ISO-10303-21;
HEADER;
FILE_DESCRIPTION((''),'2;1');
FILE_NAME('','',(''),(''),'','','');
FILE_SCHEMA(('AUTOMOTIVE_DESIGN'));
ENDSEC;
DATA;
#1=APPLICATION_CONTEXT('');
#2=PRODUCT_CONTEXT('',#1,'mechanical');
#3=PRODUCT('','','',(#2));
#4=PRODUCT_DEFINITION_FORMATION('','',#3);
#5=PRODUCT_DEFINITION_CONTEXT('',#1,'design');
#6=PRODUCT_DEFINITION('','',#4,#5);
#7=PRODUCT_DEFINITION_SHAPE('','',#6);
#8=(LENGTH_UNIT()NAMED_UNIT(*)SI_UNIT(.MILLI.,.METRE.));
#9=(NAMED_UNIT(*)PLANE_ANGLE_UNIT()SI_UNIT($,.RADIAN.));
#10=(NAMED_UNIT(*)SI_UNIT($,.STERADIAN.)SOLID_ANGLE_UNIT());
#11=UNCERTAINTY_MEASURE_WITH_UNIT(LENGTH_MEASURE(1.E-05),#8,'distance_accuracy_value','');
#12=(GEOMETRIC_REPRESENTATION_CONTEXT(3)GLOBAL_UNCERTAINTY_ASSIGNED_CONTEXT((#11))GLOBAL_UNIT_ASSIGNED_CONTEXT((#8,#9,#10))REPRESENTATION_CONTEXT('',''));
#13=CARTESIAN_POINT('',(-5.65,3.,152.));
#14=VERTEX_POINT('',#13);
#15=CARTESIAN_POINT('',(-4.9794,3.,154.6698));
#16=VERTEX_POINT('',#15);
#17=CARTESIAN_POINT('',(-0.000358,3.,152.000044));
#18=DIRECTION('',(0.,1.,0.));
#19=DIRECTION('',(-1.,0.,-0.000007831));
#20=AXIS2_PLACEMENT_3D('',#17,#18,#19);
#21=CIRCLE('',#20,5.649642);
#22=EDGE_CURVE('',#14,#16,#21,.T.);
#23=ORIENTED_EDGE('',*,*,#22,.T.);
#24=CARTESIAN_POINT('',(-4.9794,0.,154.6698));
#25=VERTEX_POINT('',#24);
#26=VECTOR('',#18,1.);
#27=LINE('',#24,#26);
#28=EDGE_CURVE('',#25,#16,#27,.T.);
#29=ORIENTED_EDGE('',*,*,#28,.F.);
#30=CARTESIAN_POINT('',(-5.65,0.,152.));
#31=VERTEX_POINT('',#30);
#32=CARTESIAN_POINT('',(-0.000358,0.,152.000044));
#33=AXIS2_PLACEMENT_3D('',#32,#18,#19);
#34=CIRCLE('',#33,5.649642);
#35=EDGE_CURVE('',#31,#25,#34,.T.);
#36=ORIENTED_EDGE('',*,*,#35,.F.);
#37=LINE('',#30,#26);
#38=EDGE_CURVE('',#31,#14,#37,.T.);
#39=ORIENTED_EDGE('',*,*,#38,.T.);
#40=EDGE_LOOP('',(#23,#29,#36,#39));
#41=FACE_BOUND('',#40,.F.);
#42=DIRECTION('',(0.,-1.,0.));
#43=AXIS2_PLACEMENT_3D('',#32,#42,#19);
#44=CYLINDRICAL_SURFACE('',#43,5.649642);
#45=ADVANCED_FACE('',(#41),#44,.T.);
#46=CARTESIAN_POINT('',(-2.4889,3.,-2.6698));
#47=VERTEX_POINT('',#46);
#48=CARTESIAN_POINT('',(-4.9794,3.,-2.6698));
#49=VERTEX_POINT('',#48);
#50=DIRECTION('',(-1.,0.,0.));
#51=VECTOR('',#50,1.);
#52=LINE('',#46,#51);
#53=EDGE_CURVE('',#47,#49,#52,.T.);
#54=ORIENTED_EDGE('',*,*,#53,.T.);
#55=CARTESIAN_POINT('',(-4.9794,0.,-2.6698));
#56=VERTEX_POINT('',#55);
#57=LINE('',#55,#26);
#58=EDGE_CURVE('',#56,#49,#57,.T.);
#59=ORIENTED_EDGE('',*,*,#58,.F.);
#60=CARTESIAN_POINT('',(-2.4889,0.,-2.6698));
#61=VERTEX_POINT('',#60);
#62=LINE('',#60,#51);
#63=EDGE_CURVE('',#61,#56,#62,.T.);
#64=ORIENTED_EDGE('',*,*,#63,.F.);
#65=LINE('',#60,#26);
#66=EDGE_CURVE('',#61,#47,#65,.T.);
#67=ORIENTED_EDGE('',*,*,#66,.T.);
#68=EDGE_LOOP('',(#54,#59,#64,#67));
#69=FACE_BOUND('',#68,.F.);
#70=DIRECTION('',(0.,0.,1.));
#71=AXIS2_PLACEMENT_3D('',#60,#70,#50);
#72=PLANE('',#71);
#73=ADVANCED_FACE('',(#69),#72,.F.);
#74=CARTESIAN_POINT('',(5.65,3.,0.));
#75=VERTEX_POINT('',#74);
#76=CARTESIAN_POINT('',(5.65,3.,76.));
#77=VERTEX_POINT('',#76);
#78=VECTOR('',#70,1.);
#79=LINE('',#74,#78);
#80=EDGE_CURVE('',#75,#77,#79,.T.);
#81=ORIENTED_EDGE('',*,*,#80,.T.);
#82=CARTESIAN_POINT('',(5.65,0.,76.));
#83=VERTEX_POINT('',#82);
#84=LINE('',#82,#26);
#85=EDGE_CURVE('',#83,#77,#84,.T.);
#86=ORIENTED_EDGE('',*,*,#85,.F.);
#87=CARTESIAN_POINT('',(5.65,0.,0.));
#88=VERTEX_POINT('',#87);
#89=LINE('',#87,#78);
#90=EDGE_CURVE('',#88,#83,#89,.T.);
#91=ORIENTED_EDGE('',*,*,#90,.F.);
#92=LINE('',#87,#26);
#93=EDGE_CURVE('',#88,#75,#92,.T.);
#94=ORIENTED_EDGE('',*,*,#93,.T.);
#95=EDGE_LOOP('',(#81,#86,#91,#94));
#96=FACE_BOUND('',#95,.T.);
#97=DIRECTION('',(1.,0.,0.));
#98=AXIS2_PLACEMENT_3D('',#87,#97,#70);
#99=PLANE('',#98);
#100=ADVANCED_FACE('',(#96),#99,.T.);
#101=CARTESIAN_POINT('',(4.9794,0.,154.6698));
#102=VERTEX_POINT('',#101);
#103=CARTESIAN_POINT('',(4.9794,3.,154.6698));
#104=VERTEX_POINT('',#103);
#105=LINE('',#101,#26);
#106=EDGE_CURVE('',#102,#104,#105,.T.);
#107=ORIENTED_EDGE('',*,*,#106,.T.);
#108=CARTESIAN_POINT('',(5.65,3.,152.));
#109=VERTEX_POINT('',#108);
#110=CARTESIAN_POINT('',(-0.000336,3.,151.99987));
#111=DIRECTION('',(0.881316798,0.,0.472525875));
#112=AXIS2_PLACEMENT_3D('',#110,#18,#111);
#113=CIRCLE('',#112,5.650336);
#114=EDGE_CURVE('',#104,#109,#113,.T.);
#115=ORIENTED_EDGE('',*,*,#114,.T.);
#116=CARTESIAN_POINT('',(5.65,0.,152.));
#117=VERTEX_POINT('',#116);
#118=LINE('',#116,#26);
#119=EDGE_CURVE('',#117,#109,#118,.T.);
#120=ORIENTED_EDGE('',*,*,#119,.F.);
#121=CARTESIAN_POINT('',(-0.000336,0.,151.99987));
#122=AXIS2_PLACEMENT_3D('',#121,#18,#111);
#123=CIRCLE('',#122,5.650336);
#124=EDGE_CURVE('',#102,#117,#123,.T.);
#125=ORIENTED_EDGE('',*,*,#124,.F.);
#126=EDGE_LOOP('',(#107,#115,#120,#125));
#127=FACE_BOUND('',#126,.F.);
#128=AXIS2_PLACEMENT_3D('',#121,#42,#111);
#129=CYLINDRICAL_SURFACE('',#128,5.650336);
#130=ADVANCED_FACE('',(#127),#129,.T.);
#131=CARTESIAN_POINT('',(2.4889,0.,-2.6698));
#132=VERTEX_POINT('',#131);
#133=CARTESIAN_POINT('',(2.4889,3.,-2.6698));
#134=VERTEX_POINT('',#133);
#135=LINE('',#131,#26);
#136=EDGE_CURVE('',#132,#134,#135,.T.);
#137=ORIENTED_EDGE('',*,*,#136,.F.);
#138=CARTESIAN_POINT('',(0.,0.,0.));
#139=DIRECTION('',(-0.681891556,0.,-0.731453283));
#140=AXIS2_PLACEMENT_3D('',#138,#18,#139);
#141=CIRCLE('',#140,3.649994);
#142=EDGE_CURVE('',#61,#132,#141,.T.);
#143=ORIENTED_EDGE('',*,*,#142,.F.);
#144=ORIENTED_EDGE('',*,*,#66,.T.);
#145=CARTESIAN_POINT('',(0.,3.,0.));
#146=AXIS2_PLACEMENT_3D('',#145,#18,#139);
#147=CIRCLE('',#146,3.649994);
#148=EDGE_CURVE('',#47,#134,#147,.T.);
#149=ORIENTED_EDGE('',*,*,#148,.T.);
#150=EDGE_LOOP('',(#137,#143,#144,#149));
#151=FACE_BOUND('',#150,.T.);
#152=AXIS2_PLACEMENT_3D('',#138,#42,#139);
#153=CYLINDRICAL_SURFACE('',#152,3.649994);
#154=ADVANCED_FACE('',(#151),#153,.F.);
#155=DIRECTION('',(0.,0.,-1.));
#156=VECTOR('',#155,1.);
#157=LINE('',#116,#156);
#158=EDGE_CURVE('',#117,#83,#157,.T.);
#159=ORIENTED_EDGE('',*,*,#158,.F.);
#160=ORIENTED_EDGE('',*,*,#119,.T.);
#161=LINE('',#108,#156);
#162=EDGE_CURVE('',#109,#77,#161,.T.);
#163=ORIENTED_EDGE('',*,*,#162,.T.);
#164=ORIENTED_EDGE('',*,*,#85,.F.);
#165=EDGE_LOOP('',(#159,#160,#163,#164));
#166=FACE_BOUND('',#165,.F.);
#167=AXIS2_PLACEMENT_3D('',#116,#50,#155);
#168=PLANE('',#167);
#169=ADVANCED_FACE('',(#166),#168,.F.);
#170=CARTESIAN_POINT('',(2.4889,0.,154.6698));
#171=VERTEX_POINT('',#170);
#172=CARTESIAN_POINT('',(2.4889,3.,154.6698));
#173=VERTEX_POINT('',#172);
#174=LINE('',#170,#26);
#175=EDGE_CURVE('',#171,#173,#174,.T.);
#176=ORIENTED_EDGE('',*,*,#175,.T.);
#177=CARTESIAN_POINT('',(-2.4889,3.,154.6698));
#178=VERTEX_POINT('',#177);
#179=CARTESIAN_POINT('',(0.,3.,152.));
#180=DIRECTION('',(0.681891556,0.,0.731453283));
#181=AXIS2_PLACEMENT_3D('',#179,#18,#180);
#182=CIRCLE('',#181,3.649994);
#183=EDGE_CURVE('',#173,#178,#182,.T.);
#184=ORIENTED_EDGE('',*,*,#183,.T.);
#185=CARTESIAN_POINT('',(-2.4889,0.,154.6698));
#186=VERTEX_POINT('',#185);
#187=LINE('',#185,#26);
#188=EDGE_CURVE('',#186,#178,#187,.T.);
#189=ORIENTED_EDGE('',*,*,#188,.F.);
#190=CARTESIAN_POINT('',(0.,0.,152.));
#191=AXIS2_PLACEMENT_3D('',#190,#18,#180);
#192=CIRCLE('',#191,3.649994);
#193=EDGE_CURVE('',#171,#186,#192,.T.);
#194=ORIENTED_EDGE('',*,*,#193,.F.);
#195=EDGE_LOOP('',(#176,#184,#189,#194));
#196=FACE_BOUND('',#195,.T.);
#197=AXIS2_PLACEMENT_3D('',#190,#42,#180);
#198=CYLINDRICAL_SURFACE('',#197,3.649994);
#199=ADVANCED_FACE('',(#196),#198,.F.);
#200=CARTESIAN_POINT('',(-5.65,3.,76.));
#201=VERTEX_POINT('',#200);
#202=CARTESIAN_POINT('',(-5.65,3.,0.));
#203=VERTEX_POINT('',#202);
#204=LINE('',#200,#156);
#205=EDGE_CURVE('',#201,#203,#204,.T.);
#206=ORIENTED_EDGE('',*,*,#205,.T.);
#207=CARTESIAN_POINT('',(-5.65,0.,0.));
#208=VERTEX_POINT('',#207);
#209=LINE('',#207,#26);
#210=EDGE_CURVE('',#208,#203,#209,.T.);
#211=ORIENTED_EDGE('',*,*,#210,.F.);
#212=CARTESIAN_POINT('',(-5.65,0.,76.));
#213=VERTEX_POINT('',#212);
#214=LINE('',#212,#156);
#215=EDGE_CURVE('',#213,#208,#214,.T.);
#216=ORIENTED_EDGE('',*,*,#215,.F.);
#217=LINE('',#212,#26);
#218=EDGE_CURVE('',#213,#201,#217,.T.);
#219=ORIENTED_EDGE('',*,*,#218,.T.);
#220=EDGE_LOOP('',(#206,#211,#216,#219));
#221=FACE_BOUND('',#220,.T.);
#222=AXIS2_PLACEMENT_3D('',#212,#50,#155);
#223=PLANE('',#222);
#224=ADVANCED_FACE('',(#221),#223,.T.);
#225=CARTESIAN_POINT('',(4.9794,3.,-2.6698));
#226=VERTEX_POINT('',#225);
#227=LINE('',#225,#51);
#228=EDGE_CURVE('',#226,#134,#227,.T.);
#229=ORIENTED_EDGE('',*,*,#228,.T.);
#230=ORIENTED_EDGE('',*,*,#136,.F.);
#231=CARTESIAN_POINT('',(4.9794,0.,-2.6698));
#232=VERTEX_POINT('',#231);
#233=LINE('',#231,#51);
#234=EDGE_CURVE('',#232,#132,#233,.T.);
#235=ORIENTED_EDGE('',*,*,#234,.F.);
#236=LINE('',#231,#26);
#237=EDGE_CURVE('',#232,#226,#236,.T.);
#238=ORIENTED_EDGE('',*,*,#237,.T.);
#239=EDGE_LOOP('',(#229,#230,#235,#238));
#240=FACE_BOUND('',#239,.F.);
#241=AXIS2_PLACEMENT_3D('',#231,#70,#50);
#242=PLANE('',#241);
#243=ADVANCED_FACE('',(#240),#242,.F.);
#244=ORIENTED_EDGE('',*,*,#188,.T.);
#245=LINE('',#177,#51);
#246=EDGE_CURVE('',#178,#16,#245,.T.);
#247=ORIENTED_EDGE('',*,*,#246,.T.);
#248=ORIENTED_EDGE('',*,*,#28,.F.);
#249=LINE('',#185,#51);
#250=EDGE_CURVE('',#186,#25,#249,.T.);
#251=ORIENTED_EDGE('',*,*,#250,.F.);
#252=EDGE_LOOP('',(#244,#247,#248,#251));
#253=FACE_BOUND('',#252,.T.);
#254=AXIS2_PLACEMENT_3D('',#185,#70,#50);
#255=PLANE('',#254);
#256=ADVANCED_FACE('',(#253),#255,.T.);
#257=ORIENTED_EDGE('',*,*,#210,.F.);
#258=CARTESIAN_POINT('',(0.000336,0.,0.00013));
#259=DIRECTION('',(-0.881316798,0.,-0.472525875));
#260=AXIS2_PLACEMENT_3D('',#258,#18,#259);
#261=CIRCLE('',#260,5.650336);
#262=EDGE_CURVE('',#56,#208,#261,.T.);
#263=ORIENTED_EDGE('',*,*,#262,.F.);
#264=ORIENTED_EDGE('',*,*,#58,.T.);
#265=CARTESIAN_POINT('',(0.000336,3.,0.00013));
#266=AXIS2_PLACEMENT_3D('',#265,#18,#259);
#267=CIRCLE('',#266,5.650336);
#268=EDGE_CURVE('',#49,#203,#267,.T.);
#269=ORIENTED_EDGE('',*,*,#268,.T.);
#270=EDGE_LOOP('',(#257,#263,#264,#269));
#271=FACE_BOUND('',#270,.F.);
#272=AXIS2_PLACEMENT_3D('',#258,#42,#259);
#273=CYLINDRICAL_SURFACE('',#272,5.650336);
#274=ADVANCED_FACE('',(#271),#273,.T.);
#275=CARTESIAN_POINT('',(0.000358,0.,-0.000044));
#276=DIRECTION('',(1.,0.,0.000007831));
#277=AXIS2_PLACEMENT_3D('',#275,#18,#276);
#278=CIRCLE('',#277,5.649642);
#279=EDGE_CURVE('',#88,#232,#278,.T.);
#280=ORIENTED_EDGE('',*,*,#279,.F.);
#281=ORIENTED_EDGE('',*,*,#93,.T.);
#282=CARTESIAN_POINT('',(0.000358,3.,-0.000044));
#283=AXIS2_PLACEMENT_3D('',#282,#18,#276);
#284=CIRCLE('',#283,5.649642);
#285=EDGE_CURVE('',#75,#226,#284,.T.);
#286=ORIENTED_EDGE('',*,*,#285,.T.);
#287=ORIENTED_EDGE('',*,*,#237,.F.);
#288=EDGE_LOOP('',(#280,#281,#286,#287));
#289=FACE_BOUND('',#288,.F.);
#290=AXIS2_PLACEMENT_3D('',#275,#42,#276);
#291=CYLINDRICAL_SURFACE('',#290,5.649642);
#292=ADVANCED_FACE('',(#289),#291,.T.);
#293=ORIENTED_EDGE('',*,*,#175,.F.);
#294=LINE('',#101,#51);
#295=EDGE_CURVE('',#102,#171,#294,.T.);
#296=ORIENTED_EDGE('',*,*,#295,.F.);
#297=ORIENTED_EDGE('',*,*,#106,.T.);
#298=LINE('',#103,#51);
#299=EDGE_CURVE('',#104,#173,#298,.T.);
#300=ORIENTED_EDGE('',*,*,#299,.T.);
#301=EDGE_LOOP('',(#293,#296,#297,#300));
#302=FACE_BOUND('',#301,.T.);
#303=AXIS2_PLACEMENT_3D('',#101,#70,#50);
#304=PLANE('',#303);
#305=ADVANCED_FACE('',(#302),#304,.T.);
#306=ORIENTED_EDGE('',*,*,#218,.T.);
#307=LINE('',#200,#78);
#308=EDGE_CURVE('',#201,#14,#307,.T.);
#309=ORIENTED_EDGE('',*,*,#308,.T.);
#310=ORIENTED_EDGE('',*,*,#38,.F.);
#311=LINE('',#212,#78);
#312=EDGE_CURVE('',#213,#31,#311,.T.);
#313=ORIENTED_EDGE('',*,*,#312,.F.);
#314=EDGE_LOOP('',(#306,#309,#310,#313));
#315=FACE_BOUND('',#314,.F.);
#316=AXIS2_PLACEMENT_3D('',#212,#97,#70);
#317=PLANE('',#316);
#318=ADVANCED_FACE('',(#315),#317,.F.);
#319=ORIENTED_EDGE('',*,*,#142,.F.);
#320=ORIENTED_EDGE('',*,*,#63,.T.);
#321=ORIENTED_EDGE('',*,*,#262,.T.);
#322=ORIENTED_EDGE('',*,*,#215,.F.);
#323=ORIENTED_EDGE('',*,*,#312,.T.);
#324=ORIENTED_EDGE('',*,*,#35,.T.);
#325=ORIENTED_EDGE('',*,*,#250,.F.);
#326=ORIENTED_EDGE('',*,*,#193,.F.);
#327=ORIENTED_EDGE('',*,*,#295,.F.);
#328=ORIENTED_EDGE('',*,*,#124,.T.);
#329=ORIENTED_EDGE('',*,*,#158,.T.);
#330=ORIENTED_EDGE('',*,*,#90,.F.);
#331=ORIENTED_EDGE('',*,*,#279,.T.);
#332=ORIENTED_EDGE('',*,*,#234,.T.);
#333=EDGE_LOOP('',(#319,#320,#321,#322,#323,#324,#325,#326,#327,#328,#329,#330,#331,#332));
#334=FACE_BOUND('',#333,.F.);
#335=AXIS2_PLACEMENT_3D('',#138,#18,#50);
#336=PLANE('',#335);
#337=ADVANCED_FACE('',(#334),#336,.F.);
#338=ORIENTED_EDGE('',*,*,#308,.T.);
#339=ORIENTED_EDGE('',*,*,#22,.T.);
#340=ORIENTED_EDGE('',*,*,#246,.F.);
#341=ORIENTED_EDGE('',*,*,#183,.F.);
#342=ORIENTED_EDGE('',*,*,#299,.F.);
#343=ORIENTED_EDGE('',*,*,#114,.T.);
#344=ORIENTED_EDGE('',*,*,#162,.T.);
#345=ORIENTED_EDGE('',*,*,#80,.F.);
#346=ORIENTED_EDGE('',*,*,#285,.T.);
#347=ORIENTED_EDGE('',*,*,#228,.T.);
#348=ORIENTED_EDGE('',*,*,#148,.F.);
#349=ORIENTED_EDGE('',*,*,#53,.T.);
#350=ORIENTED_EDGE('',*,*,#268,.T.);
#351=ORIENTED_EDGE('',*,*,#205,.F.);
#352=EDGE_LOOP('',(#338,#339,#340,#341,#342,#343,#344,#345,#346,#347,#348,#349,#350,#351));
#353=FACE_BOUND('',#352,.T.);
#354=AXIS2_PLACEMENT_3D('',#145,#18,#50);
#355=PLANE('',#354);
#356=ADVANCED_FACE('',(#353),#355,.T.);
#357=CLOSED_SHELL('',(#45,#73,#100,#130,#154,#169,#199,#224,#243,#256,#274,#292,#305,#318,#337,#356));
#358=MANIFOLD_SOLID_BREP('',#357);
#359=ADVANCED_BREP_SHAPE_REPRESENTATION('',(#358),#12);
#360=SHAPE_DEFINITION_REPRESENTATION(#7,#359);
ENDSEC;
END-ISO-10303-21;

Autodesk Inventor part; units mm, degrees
ref_plane "YZ Plane" through (0, 0, 0) normal (1, 0, 0) x (0, 1, 0)
ref_plane "XZ Plane" through (0, 0, 0) normal (0, 1, 0) x (-1, 0, 0)
ref_plane "XY Plane" through (0, 0, 0) normal (0, 0, 1) x (1, 0, 0)
sketch "Sketch1" plane through (0, 0, 0) normal (0, 1, 0) x (-1, 0, 0)
  arc A0 (2.4889, -2.6698) -> (-2.4889, -2.6698) centre (0, 0) ccw
  line L0 (2.4889, -2.6698) -> (4.9794, -2.6698)
  line L1 (-4.9794, -2.6698) -> (-2.4889, -2.6698)
  line L2 (-5.65, 0) -> (-5.65, 76)
  line L3 (5.65, 76) -> (5.65, 0)
  arc A1 (-2.4889, 154.6698) -> (2.4889, 154.6698) centre (0, 152) ccw
  line L4 (2.4889, 154.6698) -> (4.9794, 154.6698)
  line L5 (-4.9794, 154.6698) -> (-2.4889, 154.6698)
  line L6 (-5.65, 152) -> (-5.65, 76)
  line L7 (5.65, 76) -> (5.65, 152)
  arc A2 (4.9794, -2.6698) -> (5.65, 0) centre (0, 0) ccw
  arc A3 (-5.65, 0) -> (-4.9794, -2.6698) centre (0, 0) ccw
  arc A4 (-4.9794, 154.6698) -> (-5.65, 152) centre (0, 152) ccw
  arc A5 (5.65, 152) -> (4.9794, 154.6698) centre (0, 152) ccw
  dimension "d5" = 7.3
  dimension "d7" = 76
extrude "Extrusion1" add sketch "Sketch1" along normal blind 3
properties part number "Holder 2"
